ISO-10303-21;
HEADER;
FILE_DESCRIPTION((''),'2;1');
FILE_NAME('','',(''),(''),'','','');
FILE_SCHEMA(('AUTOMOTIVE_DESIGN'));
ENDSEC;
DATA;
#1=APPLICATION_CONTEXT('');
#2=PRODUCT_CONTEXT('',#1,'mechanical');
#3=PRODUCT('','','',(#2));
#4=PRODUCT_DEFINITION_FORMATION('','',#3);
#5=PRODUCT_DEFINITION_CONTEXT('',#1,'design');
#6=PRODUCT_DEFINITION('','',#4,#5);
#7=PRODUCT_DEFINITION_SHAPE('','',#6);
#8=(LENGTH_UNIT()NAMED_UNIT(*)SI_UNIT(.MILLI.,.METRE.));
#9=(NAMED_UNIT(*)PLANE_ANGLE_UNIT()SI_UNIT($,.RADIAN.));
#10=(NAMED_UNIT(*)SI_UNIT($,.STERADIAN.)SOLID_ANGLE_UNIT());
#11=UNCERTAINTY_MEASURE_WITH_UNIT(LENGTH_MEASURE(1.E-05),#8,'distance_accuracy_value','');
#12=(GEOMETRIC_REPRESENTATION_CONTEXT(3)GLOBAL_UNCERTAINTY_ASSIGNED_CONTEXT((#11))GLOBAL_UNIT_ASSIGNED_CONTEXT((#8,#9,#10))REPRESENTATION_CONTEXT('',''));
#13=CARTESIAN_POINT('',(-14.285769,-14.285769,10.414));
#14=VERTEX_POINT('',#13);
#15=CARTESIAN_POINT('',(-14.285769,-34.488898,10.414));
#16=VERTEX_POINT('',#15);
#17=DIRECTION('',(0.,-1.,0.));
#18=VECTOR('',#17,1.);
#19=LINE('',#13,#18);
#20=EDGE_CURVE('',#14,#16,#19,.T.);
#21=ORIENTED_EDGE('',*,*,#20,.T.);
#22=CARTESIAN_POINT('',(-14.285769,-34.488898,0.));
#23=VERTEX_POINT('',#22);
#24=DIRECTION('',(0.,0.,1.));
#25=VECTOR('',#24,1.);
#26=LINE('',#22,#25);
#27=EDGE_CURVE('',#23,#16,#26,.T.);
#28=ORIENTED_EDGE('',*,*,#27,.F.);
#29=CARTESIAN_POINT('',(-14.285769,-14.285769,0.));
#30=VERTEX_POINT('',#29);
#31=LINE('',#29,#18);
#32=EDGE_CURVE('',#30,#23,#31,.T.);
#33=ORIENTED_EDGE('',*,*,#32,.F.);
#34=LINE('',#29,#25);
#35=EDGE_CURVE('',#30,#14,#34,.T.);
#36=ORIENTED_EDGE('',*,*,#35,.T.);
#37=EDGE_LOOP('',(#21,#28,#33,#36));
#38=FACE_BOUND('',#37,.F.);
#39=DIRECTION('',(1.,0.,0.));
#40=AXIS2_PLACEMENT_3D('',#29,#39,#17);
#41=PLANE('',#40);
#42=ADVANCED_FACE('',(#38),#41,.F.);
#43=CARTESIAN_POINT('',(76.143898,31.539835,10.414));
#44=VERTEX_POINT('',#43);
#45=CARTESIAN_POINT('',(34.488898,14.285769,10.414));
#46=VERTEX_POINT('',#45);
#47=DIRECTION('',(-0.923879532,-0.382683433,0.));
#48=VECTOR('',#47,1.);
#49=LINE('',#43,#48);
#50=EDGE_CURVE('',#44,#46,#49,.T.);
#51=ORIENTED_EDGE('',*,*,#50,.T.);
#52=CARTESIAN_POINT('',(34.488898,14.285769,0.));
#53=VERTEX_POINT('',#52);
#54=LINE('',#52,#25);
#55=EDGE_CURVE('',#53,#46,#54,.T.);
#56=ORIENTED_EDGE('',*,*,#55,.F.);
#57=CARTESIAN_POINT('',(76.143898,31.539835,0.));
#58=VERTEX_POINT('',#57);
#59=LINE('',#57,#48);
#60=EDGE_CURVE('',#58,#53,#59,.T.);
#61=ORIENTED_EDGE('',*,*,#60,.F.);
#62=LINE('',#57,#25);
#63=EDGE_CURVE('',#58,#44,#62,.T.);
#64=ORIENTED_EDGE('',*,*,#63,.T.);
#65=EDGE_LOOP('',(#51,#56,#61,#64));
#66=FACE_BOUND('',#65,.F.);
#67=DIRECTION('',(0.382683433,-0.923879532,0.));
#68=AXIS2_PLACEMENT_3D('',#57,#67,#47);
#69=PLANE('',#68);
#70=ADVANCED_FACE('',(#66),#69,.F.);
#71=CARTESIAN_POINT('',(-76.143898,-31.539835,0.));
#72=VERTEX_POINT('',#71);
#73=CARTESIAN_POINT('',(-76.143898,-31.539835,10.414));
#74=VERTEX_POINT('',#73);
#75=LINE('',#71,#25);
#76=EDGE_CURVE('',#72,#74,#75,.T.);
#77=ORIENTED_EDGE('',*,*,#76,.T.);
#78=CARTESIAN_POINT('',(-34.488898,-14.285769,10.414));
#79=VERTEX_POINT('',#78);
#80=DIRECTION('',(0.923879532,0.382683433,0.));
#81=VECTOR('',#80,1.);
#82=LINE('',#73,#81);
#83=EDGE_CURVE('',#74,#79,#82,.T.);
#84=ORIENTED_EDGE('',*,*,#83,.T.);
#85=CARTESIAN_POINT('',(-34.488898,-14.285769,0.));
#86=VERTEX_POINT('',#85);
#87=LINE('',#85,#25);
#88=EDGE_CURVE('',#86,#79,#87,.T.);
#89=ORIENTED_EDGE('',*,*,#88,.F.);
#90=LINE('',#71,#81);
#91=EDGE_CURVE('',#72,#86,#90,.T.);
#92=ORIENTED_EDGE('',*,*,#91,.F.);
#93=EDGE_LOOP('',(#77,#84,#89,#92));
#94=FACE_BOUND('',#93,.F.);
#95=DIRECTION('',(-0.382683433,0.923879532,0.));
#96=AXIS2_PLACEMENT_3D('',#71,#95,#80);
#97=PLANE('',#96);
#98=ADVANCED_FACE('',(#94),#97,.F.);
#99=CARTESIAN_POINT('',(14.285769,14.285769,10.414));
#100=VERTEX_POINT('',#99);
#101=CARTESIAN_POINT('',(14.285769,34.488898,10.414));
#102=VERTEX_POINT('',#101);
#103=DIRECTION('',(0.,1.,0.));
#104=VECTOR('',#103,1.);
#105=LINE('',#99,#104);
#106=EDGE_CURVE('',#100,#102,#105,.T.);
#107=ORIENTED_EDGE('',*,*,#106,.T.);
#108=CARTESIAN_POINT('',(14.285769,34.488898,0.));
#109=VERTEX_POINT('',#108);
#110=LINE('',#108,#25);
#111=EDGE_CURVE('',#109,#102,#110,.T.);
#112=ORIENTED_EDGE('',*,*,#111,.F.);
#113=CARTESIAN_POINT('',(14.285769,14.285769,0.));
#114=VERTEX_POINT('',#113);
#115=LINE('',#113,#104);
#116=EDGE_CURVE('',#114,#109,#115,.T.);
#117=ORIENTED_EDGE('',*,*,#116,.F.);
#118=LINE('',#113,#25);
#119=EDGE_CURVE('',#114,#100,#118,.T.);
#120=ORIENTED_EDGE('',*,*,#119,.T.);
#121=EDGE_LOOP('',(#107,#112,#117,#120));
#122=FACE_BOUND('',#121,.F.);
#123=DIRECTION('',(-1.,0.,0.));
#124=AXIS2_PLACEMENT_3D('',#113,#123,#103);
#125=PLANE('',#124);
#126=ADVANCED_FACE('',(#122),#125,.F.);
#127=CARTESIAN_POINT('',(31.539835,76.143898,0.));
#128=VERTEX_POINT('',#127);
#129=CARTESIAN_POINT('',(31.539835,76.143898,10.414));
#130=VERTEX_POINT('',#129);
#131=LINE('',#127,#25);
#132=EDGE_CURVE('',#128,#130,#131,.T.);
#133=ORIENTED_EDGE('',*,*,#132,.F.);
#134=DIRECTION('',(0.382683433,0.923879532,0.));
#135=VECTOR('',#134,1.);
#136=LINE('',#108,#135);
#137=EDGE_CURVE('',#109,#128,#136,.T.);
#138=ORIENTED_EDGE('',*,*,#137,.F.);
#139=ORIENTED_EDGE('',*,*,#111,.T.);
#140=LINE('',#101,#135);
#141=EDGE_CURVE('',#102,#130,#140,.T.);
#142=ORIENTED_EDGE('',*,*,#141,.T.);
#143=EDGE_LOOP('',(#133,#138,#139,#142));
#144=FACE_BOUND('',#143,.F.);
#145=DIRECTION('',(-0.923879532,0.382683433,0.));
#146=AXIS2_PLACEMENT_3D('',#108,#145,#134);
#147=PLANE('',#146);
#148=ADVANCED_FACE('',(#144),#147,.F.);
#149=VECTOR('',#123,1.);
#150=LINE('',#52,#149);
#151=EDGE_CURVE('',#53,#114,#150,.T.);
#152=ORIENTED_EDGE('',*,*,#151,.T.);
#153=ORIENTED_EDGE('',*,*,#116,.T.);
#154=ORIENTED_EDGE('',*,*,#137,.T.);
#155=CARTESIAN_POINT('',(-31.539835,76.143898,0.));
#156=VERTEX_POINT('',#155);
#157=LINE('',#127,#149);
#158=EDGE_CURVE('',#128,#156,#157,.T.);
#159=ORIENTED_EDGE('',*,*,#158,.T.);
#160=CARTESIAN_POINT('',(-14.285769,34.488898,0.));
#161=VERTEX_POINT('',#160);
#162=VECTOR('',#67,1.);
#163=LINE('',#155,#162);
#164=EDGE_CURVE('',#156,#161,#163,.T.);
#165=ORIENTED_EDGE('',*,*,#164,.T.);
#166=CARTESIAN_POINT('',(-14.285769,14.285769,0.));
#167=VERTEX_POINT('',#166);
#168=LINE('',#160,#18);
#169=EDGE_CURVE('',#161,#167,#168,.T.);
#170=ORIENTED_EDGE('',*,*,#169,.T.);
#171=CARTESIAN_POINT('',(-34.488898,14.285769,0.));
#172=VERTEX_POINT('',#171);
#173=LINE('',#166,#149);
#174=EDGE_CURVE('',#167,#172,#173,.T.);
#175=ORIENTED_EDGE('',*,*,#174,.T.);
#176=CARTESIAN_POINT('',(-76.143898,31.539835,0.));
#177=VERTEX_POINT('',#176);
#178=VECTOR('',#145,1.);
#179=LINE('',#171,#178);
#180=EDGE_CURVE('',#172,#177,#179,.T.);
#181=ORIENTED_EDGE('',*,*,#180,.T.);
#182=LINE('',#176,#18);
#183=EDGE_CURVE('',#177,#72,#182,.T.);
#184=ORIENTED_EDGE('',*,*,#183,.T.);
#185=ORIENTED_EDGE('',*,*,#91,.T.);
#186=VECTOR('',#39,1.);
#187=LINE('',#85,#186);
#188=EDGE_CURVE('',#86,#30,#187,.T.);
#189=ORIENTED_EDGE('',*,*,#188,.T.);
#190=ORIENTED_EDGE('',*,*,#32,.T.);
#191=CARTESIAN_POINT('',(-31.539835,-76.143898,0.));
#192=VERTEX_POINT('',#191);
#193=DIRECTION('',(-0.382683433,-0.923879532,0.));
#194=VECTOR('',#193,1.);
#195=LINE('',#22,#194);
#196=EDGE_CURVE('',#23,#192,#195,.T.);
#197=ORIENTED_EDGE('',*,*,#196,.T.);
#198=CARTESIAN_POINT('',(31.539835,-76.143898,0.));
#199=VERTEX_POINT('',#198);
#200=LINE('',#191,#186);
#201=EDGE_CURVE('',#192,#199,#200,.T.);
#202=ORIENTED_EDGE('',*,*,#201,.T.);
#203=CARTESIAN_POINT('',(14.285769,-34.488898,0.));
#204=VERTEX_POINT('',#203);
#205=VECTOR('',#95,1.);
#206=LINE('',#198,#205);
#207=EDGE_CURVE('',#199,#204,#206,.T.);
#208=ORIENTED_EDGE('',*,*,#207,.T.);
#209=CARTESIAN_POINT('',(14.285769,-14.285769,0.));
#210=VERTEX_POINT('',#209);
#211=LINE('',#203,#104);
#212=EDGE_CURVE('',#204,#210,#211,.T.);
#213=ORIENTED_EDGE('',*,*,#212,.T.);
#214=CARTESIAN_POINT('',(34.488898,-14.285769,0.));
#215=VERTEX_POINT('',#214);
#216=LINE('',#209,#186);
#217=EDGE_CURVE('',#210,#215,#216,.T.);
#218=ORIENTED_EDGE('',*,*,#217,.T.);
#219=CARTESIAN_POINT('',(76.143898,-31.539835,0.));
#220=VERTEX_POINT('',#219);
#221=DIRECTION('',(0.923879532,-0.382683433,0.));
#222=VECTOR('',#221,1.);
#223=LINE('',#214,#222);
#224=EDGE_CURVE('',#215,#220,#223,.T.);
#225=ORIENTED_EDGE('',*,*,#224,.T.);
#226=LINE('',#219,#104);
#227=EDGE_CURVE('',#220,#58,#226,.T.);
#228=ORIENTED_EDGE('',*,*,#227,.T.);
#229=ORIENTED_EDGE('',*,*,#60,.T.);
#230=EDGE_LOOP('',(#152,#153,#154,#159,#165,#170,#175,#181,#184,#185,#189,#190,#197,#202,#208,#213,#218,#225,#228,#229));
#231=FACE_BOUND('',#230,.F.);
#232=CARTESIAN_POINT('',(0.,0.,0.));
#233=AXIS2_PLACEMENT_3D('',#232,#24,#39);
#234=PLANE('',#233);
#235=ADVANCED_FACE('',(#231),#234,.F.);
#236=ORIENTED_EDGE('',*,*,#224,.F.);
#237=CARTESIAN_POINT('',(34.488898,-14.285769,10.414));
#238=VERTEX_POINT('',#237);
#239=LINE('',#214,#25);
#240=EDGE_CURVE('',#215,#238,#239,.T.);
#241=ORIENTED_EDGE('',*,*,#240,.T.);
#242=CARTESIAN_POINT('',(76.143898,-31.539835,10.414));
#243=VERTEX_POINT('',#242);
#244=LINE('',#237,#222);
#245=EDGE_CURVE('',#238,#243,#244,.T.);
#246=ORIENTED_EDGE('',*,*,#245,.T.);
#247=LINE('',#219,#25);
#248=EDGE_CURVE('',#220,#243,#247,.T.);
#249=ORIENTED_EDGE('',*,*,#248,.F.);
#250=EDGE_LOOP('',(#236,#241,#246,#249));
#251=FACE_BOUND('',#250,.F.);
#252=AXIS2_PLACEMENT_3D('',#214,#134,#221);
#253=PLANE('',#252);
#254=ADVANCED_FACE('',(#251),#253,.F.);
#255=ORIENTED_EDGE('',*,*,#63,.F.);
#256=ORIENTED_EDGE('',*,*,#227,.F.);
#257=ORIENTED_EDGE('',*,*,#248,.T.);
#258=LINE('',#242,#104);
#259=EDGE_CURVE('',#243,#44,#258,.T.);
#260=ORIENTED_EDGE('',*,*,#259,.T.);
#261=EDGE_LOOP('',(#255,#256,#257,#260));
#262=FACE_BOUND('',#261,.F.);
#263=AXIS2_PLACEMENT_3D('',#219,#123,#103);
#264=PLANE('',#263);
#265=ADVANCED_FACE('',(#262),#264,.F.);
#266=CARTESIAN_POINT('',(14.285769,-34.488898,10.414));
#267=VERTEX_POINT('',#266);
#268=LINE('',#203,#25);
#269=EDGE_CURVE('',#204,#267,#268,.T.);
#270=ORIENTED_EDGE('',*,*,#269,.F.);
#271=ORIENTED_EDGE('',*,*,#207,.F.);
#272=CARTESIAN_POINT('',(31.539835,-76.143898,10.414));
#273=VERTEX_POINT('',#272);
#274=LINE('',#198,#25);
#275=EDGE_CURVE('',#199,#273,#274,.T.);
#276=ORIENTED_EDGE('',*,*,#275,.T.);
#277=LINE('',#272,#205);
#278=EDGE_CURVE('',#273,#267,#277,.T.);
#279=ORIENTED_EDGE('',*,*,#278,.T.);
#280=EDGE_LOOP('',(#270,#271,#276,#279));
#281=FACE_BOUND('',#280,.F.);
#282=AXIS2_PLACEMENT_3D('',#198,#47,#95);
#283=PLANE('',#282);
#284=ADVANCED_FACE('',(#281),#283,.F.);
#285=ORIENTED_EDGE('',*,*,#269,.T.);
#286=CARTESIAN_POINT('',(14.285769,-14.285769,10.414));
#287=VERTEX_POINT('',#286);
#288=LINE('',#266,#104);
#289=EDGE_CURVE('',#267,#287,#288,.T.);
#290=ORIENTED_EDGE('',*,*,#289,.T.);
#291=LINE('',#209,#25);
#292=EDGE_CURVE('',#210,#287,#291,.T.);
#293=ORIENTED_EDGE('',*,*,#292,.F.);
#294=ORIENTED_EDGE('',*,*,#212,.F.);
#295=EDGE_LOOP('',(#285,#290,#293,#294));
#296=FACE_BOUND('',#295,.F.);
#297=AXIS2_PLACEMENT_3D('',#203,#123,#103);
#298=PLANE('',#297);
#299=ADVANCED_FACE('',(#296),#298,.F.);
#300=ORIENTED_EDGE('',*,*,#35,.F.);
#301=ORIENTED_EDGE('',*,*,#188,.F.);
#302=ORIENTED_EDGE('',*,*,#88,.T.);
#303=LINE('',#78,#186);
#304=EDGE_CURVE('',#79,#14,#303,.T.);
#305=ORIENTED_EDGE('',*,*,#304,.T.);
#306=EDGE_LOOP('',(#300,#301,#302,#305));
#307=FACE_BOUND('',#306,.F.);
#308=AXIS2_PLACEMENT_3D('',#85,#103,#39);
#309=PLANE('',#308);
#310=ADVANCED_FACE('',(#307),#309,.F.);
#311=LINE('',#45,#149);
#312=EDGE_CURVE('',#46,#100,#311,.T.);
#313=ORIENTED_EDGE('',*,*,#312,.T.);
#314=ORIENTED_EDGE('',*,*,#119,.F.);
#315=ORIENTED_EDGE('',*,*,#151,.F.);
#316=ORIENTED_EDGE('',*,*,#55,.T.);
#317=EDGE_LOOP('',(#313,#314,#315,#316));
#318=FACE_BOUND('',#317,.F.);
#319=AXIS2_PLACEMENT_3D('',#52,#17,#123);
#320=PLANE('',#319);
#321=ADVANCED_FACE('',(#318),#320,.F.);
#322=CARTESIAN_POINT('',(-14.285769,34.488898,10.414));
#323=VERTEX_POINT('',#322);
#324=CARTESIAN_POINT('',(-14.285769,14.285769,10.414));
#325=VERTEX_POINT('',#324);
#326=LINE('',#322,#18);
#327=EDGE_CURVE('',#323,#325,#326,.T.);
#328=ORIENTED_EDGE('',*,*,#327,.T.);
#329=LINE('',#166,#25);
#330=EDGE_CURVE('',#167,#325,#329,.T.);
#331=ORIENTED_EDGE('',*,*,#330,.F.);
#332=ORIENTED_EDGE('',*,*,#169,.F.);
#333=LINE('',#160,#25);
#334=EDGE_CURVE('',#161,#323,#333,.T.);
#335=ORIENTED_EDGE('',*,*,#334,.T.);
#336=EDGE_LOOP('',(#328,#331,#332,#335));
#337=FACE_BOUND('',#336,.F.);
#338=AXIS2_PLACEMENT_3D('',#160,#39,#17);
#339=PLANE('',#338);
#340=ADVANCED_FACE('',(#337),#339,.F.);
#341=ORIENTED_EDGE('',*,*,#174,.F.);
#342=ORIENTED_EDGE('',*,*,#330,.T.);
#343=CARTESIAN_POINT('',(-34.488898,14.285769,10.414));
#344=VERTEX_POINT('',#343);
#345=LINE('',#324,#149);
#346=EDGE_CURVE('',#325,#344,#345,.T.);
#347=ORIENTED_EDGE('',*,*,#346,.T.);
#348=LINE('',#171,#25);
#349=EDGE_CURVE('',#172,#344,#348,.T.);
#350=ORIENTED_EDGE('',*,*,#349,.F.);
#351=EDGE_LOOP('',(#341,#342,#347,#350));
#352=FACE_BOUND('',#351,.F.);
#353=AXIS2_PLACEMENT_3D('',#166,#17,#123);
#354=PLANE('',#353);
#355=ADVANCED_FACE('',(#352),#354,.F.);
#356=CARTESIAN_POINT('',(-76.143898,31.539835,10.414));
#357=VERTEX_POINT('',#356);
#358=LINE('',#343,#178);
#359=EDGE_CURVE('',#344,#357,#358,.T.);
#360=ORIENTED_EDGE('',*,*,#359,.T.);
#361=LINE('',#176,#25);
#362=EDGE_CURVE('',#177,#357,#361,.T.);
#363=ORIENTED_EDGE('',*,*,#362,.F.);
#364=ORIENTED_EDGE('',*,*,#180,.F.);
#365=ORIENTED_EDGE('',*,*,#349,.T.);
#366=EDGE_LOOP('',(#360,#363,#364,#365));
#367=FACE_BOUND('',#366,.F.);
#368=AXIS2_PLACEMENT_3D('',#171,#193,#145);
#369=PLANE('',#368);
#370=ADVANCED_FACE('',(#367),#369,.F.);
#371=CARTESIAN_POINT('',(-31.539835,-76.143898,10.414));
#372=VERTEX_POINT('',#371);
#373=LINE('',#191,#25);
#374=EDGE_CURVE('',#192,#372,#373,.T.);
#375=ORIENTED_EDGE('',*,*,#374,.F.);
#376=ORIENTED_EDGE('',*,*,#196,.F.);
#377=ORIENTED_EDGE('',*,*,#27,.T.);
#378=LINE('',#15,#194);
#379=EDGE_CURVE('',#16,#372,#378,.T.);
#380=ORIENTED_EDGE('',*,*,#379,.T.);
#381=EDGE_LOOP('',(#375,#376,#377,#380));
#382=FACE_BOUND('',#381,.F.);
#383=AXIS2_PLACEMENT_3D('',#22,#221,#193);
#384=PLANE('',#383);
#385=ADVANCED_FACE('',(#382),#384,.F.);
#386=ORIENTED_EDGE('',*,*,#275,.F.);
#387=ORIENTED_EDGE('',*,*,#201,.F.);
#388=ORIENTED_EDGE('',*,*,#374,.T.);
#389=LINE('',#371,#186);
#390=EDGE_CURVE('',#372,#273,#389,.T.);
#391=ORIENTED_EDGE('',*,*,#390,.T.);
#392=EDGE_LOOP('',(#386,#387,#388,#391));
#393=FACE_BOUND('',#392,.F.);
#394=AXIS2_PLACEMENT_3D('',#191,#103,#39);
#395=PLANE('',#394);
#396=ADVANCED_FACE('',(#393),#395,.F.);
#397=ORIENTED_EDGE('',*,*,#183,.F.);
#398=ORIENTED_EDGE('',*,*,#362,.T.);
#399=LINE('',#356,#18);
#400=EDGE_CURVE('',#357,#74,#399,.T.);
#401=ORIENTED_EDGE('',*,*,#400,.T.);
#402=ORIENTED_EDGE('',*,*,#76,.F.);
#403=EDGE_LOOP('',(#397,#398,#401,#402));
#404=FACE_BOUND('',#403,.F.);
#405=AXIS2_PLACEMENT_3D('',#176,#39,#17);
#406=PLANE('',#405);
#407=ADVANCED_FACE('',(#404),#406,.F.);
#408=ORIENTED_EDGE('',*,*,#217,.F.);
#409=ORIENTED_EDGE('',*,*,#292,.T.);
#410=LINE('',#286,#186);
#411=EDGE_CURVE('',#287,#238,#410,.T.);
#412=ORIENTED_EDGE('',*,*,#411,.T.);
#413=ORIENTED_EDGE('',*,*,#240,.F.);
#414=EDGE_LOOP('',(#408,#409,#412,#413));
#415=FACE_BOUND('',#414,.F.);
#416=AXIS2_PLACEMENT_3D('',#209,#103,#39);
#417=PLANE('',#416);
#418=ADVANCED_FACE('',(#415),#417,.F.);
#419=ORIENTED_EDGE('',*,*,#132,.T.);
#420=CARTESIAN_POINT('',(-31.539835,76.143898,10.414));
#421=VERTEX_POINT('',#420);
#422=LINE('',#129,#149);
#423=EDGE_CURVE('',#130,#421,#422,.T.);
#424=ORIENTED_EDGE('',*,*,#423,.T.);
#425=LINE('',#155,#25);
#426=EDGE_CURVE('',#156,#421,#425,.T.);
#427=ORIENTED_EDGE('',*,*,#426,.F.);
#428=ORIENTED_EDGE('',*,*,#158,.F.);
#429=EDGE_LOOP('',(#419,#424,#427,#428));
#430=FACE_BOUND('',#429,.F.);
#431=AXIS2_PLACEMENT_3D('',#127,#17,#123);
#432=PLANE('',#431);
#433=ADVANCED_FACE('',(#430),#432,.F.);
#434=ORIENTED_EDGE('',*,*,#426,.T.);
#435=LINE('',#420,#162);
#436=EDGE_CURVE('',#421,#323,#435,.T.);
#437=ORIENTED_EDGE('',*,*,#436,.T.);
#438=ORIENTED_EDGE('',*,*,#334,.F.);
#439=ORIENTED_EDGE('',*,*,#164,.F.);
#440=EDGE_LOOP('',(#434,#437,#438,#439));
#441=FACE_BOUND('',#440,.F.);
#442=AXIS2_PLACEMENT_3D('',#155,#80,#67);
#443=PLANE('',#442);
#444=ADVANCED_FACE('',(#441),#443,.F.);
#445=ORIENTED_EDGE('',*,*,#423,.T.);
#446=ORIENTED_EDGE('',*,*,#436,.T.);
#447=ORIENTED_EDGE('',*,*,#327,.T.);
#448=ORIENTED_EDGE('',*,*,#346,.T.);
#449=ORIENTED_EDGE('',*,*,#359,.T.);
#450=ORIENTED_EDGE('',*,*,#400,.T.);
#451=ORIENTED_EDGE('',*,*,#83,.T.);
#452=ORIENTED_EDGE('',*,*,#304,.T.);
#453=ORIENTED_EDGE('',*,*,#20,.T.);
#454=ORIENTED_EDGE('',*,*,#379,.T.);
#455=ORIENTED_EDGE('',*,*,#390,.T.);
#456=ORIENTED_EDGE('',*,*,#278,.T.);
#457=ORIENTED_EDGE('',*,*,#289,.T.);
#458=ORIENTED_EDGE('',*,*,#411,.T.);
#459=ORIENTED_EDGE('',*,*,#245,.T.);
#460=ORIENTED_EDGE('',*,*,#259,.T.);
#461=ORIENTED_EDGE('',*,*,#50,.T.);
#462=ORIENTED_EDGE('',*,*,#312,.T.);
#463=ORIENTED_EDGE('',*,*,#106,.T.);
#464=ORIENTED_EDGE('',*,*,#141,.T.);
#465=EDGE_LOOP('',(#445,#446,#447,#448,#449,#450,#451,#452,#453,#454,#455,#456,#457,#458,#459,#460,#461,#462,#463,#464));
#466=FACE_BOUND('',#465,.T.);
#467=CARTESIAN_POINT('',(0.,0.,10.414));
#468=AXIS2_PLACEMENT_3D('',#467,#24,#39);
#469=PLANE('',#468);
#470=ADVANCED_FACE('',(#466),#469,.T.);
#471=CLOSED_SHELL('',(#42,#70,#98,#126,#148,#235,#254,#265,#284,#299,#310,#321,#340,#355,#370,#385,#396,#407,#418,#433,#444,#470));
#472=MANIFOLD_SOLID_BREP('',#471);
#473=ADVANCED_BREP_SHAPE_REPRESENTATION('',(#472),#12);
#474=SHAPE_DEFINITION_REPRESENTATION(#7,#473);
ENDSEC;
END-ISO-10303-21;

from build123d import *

# Parameters (mm, degrees)
F1_DEPTH = 10.414


with BuildPart() as f1:
    # F0 (on Top) → F1 (new body)
    with BuildSketch(Plane.XY):
        Polygon((31.539835, 76.143898), (-31.539835, 76.143898), (-14.285769, 34.488898), (-14.285769, 14.285769), (-34.488898, 14.285769), (-76.143898, 31.539835), (-76.143898, -31.539835), (-34.488898, -14.285769), (-14.285769, -14.285769), (-14.285769, -34.488898), (-31.539835, -76.143898), (31.539835, -76.143898), (14.285769, -34.488898), (14.285769, -14.285769), (34.488898, -14.285769), (76.143898, -31.539835), (76.143898, 31.539835), (34.488898, 14.285769), (14.285769, 14.285769), (14.285769, 34.488898), align=None)
    extrude(amount=F1_DEPTH)


solid = f1.part
